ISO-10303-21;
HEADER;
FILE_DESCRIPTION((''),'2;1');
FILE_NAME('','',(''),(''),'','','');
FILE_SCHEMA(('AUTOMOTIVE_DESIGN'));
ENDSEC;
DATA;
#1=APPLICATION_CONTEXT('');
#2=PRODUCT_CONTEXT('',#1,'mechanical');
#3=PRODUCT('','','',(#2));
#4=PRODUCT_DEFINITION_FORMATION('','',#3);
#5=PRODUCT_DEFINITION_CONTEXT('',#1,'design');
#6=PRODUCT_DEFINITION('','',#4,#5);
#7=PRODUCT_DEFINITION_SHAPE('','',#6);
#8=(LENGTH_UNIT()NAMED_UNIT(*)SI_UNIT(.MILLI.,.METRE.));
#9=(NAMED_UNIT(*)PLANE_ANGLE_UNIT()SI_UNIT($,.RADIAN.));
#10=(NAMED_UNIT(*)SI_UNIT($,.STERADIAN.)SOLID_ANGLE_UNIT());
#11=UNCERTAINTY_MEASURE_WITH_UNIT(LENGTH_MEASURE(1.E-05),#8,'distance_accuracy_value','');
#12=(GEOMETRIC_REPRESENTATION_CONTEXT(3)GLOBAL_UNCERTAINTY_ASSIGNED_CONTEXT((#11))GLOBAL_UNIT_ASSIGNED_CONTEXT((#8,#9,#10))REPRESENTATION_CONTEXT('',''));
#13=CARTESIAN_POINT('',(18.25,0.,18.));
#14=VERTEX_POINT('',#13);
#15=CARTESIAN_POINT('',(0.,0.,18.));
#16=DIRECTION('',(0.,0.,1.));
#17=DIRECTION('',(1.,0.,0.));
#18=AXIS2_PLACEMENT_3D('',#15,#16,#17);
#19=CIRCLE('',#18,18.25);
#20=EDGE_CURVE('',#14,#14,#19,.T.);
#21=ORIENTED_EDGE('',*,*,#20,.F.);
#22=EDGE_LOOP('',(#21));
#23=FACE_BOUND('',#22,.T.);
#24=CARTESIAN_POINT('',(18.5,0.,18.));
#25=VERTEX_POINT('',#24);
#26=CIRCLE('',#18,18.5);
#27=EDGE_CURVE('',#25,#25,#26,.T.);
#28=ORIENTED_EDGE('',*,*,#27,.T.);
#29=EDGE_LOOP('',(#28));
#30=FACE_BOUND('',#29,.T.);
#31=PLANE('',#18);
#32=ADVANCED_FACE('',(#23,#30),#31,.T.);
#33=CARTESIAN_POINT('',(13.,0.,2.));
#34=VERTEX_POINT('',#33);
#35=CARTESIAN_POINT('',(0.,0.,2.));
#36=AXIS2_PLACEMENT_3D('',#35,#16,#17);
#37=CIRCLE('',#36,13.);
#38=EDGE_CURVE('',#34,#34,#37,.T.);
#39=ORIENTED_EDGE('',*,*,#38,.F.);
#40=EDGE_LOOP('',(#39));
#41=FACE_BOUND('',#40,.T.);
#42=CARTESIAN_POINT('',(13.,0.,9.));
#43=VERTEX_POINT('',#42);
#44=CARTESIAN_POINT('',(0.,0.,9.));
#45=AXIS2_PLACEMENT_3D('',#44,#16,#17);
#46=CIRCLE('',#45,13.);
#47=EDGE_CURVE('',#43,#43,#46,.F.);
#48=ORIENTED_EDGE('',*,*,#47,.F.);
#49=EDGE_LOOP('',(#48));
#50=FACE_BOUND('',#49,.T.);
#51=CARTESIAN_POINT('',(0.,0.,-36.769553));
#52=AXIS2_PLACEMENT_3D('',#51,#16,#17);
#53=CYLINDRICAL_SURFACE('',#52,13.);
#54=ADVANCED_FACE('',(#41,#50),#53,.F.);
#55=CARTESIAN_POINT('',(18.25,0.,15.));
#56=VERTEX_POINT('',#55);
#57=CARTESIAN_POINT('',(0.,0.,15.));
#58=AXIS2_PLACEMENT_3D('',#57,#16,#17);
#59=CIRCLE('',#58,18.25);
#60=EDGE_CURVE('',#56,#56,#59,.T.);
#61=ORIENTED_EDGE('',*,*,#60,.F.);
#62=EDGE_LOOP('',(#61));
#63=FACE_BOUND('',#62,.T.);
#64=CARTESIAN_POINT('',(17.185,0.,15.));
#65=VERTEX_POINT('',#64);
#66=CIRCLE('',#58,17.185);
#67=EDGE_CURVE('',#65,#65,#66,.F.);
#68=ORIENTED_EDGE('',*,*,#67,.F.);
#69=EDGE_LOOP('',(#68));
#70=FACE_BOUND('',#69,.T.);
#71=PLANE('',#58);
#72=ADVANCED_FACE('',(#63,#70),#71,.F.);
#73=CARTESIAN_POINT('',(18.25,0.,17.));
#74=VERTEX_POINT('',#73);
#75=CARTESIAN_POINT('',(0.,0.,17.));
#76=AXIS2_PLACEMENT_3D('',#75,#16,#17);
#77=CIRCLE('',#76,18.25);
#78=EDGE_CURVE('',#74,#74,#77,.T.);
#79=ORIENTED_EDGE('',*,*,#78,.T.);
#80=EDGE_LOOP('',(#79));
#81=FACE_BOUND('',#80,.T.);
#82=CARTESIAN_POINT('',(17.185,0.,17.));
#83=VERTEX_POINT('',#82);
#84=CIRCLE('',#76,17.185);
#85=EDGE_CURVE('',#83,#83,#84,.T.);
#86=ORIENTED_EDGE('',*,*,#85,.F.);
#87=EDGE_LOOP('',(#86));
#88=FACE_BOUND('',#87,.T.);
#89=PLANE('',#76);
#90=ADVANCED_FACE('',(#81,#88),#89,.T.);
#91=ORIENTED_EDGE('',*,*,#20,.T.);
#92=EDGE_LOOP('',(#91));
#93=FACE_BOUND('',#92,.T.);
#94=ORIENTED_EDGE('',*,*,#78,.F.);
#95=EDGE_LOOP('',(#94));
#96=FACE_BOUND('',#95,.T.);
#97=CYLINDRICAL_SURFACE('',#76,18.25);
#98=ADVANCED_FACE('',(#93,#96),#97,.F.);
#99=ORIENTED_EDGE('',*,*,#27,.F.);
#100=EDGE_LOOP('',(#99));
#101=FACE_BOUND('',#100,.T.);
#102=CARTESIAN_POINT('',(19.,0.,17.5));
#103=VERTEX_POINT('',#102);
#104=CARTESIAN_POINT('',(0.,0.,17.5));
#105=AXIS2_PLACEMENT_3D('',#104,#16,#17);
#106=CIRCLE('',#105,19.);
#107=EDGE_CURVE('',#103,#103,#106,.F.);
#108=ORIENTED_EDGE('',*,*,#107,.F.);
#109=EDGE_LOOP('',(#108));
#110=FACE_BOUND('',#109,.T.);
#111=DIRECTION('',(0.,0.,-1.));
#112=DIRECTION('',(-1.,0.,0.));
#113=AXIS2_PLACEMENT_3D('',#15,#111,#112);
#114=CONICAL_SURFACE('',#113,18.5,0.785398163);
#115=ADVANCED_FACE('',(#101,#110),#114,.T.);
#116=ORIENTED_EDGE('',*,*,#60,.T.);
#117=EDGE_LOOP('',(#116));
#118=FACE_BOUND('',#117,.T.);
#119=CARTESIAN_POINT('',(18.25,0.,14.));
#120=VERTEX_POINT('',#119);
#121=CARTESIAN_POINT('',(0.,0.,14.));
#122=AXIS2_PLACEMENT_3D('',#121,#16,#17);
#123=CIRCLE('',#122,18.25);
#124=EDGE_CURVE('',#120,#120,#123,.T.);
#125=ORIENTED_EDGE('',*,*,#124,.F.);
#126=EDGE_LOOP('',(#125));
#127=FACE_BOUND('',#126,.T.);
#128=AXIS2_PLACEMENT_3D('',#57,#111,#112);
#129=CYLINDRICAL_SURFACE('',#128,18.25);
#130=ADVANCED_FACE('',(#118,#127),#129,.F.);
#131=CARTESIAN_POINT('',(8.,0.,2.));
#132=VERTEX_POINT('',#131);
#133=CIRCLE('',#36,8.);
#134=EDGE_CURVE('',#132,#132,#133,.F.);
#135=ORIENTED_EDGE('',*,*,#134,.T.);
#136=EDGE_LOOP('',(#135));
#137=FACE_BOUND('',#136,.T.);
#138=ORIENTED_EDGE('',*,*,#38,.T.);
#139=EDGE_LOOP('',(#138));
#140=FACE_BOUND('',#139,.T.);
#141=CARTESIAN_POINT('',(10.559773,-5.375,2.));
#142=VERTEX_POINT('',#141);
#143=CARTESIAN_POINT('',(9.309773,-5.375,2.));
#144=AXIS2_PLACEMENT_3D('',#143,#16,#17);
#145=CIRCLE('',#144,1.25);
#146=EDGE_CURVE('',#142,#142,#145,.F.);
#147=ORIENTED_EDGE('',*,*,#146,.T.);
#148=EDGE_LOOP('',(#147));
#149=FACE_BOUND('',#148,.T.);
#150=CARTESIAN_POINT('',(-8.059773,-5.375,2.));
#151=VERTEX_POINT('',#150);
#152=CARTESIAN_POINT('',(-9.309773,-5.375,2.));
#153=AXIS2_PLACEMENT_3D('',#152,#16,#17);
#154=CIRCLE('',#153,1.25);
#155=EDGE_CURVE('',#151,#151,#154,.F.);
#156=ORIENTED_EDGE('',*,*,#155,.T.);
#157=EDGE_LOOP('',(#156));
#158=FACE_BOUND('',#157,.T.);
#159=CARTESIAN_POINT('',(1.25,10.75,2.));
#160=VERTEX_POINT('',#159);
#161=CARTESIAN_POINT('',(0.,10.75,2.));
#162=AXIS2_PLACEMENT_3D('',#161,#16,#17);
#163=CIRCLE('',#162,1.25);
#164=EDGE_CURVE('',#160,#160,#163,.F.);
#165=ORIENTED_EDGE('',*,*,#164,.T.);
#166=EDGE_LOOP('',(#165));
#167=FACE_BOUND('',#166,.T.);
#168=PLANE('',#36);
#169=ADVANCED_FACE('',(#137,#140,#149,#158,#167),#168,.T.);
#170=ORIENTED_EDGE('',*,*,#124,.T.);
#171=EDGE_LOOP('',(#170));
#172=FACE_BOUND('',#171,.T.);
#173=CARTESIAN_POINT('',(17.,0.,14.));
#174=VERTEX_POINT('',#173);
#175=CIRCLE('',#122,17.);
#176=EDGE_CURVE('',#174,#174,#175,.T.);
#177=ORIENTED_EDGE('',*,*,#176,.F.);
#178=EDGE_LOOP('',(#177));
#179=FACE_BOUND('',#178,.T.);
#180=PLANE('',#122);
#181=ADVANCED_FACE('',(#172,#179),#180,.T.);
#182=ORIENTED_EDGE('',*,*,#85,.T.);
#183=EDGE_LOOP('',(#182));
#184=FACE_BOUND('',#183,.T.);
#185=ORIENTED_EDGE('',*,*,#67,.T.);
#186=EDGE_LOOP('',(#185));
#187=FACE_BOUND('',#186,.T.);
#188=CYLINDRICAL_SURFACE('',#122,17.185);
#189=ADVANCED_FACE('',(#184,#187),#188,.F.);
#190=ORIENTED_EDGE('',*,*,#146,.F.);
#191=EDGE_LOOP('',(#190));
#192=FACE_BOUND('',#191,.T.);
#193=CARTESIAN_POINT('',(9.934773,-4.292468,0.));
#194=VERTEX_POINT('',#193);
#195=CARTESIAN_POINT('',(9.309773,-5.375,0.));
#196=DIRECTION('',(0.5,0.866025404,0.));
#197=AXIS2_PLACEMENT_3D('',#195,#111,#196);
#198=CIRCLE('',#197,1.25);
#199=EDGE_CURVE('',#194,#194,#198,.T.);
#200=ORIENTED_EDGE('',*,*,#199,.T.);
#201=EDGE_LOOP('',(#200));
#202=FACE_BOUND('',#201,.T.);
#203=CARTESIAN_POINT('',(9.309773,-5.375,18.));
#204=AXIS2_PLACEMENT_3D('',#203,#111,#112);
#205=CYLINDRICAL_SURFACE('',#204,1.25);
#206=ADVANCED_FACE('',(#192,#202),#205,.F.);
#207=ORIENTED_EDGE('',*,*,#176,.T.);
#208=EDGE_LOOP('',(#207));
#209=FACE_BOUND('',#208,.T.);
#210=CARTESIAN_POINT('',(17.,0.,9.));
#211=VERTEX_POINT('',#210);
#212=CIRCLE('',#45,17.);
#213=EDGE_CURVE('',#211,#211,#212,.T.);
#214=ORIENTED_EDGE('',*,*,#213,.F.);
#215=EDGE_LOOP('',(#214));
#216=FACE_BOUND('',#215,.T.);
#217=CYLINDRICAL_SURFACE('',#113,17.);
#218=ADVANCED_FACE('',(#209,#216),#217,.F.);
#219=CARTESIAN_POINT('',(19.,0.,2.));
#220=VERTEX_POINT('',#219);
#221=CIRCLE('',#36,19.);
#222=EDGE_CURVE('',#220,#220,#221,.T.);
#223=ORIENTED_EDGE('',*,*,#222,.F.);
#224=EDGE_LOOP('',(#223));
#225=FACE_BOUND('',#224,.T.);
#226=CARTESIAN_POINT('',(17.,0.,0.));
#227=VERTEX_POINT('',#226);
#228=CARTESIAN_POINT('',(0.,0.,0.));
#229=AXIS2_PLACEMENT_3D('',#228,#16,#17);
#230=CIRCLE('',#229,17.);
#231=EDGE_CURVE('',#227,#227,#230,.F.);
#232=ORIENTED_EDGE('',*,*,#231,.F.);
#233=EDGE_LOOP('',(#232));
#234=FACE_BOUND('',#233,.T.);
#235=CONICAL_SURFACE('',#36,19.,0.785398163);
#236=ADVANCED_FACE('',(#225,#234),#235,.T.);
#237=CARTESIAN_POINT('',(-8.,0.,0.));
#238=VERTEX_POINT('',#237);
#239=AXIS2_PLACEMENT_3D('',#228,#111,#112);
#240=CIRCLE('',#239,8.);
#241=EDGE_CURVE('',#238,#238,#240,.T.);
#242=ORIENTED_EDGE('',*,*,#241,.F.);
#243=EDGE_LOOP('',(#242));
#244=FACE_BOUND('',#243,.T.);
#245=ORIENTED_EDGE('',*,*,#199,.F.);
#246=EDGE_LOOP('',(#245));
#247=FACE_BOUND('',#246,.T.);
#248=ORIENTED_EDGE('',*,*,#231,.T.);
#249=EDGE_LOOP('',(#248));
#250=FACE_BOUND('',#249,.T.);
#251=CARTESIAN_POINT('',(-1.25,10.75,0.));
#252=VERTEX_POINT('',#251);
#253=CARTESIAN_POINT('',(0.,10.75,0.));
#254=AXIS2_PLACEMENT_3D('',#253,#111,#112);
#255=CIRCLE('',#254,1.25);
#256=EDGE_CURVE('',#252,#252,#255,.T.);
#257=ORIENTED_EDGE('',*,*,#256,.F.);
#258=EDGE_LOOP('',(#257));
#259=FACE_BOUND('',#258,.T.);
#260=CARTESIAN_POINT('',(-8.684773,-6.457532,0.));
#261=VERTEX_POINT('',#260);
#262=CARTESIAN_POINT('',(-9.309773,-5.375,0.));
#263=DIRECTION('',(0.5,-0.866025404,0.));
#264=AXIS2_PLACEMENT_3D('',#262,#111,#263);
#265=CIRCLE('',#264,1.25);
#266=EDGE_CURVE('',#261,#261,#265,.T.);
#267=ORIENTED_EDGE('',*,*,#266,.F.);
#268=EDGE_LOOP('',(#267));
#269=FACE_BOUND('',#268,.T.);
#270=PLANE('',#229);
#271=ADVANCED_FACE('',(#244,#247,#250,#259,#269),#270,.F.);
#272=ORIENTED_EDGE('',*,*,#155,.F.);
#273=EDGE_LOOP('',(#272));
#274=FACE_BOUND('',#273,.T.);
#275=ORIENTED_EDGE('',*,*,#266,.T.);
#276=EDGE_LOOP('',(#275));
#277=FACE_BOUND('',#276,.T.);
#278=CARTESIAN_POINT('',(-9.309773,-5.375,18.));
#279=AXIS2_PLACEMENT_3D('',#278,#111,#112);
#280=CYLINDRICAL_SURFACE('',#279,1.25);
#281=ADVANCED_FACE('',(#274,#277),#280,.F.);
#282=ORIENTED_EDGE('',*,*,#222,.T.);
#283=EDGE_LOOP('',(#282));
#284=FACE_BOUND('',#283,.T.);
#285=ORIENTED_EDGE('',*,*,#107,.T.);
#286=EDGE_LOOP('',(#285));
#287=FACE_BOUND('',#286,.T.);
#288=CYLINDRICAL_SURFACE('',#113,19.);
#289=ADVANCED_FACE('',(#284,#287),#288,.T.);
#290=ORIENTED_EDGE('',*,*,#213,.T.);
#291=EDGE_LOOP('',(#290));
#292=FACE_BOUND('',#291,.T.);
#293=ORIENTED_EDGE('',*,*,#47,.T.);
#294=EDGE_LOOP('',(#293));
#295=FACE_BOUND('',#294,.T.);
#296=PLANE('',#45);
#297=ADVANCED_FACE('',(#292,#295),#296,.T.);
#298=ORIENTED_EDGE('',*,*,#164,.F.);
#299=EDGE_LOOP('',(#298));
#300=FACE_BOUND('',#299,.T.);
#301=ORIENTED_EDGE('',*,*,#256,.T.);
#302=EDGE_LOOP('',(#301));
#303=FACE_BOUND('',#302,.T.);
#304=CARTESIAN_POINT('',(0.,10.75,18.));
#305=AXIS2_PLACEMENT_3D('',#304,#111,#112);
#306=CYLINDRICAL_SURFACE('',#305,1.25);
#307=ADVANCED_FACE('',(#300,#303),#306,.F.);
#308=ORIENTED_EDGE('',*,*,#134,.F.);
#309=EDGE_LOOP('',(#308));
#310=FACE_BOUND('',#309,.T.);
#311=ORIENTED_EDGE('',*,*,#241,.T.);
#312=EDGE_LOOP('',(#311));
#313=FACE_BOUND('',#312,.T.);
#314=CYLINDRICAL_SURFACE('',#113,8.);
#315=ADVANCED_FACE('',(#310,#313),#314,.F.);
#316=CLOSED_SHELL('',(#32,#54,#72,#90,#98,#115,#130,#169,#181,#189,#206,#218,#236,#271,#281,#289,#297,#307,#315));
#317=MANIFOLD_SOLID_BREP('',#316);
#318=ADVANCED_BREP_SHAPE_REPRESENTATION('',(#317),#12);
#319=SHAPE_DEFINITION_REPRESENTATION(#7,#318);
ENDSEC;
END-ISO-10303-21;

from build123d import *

# Parameters (mm, degrees)
ESQUISSE1_R                  = 19
BASE_EXTRUSION_DEPTH         = 18
ESQUISSE2_R                  = 13
ENL_V_MAT_EXTRU_1_DEPTH      = 14
ESQUISSE3_R                  = 8
ENL_V_MAT_EXTRU_2_DEPTH      = 19
ESQUISSE4_R                  = 1.25
ENL_V_MAT_EXTRU_3_DEPTH      = 19
R_P_TITION_CIRCULAIRE1_COUNT = 3
ESQUISSE5_R                  = 13
ENL_V_MAT_EXTRU_4_DEPTH      = 2
ESQUISSE6_R                  = 18.25
ENL_V_MAT_EXTRU_5_DEPTH      = 1
ESQUISSE7_R                  = 17
ENL_V_MAT_EXTRU_6_DEPTH      = 10
ESQUISSE8_R                  = 17.185
ENL_V_MAT_EXTRU_7_DEPTH      = 4
ESQUISSE9_R                  = 18.25
ENL_V_MAT_EXTRU_8_DEPTH      = 1
CHANFREIN1_SIZE              = 2
CHANFREIN2_SIZE              = 0.5


with BuildPart() as part:
    # Esquisse1 → Base-Extrusion (new body)
    with BuildSketch(Plane.XY):
        Circle(ESQUISSE1_R)
    extrude(amount=BASE_EXTRUSION_DEPTH)

    # Esquisse2 → Enlèv. mat.-Extru.1 (cut)
    with BuildSketch(Plane.XY.offset(18)):
        Circle(ESQUISSE2_R)
    extrude(amount=-ENL_V_MAT_EXTRU_1_DEPTH, mode=Mode.SUBTRACT)

    # Esquisse3 → Enlèv. mat.-Extru.2 (cut, through all)
    with BuildSketch(Plane(origin=(0, 0, 0), x_dir=(-1, 0, 0), z_dir=(0, 0, -1))):
        Circle(ESQUISSE3_R)
    extrude(amount=-ENL_V_MAT_EXTRU_2_DEPTH, mode=Mode.SUBTRACT)

    # Esquisse4 → Enlèv. mat.-Extru.3 (cut, through all)
    with BuildSketch(Plane(origin=(0, 0, 0), x_dir=(-1, 0, 0), z_dir=(0, 0, -1))):
        with Locations((0, 10.75)):
            Circle(ESQUISSE4_R)
    enl_v_mat_extru_3 = extrude(amount=-ENL_V_MAT_EXTRU_3_DEPTH, mode=Mode.SUBTRACT)

    # Répétition circulaire1: Enlèv. mat.-Extru.3 ×3 about axis
    r_p_tition_circulaire1_axis = Axis((0, 0, 0), (0, 0, -1))
    for i in range(1, R_P_TITION_CIRCULAIRE1_COUNT):
        add(enl_v_mat_extru_3.rotate(r_p_tition_circulaire1_axis, i * 360 / R_P_TITION_CIRCULAIRE1_COUNT), mode=Mode.SUBTRACT)

    # Esquisse5 → Enlèv. mat.-Extru.4 (cut)
    with BuildSketch(Plane.XY.offset(4)):
        Circle(ESQUISSE5_R)
    extrude(amount=-ENL_V_MAT_EXTRU_4_DEPTH, mode=Mode.SUBTRACT)

    # Esquisse6 → Enlèv. mat.-Extru.5 (cut)
    with BuildSketch(Plane.XY.offset(18)):
        Circle(ESQUISSE6_R)
    extrude(amount=-ENL_V_MAT_EXTRU_5_DEPTH, mode=Mode.SUBTRACT)

    # Esquisse7 → Enlèv. mat.-Extru.6 (cut, through all)
    with BuildSketch(Plane.XY.offset(9)):
        Circle(ESQUISSE7_R)
    extrude(amount=ENL_V_MAT_EXTRU_6_DEPTH, mode=Mode.SUBTRACT)

    # Esquisse8 → Enlèv. mat.-Extru.7 (cut)
    with BuildSketch(Plane.XY.offset(18)):
        Circle(ESQUISSE8_R)
    extrude(amount=-ENL_V_MAT_EXTRU_7_DEPTH, mode=Mode.SUBTRACT)

    # Esquisse9 → Enlèv. mat.-Extru.8 (cut)
    with BuildSketch(Plane.XY.offset(14)):
        Circle(ESQUISSE9_R)
    extrude(amount=ENL_V_MAT_EXTRU_8_DEPTH, mode=Mode.SUBTRACT)

    # Chanfrein1
    chanfrein1_edges = [part.edges().sort_by_distance(p)[0] for p in [
        (-19, 0, 0),
    ]]
    chamfer(chanfrein1_edges, length=CHANFREIN1_SIZE)

    # Chanfrein2
    chanfrein2_edges = [part.edges().sort_by_distance(p)[0] for p in [
        (-19, 0, 18),
    ]]
    chamfer(chanfrein2_edges, length=CHANFREIN2_SIZE)


solid = part.part
